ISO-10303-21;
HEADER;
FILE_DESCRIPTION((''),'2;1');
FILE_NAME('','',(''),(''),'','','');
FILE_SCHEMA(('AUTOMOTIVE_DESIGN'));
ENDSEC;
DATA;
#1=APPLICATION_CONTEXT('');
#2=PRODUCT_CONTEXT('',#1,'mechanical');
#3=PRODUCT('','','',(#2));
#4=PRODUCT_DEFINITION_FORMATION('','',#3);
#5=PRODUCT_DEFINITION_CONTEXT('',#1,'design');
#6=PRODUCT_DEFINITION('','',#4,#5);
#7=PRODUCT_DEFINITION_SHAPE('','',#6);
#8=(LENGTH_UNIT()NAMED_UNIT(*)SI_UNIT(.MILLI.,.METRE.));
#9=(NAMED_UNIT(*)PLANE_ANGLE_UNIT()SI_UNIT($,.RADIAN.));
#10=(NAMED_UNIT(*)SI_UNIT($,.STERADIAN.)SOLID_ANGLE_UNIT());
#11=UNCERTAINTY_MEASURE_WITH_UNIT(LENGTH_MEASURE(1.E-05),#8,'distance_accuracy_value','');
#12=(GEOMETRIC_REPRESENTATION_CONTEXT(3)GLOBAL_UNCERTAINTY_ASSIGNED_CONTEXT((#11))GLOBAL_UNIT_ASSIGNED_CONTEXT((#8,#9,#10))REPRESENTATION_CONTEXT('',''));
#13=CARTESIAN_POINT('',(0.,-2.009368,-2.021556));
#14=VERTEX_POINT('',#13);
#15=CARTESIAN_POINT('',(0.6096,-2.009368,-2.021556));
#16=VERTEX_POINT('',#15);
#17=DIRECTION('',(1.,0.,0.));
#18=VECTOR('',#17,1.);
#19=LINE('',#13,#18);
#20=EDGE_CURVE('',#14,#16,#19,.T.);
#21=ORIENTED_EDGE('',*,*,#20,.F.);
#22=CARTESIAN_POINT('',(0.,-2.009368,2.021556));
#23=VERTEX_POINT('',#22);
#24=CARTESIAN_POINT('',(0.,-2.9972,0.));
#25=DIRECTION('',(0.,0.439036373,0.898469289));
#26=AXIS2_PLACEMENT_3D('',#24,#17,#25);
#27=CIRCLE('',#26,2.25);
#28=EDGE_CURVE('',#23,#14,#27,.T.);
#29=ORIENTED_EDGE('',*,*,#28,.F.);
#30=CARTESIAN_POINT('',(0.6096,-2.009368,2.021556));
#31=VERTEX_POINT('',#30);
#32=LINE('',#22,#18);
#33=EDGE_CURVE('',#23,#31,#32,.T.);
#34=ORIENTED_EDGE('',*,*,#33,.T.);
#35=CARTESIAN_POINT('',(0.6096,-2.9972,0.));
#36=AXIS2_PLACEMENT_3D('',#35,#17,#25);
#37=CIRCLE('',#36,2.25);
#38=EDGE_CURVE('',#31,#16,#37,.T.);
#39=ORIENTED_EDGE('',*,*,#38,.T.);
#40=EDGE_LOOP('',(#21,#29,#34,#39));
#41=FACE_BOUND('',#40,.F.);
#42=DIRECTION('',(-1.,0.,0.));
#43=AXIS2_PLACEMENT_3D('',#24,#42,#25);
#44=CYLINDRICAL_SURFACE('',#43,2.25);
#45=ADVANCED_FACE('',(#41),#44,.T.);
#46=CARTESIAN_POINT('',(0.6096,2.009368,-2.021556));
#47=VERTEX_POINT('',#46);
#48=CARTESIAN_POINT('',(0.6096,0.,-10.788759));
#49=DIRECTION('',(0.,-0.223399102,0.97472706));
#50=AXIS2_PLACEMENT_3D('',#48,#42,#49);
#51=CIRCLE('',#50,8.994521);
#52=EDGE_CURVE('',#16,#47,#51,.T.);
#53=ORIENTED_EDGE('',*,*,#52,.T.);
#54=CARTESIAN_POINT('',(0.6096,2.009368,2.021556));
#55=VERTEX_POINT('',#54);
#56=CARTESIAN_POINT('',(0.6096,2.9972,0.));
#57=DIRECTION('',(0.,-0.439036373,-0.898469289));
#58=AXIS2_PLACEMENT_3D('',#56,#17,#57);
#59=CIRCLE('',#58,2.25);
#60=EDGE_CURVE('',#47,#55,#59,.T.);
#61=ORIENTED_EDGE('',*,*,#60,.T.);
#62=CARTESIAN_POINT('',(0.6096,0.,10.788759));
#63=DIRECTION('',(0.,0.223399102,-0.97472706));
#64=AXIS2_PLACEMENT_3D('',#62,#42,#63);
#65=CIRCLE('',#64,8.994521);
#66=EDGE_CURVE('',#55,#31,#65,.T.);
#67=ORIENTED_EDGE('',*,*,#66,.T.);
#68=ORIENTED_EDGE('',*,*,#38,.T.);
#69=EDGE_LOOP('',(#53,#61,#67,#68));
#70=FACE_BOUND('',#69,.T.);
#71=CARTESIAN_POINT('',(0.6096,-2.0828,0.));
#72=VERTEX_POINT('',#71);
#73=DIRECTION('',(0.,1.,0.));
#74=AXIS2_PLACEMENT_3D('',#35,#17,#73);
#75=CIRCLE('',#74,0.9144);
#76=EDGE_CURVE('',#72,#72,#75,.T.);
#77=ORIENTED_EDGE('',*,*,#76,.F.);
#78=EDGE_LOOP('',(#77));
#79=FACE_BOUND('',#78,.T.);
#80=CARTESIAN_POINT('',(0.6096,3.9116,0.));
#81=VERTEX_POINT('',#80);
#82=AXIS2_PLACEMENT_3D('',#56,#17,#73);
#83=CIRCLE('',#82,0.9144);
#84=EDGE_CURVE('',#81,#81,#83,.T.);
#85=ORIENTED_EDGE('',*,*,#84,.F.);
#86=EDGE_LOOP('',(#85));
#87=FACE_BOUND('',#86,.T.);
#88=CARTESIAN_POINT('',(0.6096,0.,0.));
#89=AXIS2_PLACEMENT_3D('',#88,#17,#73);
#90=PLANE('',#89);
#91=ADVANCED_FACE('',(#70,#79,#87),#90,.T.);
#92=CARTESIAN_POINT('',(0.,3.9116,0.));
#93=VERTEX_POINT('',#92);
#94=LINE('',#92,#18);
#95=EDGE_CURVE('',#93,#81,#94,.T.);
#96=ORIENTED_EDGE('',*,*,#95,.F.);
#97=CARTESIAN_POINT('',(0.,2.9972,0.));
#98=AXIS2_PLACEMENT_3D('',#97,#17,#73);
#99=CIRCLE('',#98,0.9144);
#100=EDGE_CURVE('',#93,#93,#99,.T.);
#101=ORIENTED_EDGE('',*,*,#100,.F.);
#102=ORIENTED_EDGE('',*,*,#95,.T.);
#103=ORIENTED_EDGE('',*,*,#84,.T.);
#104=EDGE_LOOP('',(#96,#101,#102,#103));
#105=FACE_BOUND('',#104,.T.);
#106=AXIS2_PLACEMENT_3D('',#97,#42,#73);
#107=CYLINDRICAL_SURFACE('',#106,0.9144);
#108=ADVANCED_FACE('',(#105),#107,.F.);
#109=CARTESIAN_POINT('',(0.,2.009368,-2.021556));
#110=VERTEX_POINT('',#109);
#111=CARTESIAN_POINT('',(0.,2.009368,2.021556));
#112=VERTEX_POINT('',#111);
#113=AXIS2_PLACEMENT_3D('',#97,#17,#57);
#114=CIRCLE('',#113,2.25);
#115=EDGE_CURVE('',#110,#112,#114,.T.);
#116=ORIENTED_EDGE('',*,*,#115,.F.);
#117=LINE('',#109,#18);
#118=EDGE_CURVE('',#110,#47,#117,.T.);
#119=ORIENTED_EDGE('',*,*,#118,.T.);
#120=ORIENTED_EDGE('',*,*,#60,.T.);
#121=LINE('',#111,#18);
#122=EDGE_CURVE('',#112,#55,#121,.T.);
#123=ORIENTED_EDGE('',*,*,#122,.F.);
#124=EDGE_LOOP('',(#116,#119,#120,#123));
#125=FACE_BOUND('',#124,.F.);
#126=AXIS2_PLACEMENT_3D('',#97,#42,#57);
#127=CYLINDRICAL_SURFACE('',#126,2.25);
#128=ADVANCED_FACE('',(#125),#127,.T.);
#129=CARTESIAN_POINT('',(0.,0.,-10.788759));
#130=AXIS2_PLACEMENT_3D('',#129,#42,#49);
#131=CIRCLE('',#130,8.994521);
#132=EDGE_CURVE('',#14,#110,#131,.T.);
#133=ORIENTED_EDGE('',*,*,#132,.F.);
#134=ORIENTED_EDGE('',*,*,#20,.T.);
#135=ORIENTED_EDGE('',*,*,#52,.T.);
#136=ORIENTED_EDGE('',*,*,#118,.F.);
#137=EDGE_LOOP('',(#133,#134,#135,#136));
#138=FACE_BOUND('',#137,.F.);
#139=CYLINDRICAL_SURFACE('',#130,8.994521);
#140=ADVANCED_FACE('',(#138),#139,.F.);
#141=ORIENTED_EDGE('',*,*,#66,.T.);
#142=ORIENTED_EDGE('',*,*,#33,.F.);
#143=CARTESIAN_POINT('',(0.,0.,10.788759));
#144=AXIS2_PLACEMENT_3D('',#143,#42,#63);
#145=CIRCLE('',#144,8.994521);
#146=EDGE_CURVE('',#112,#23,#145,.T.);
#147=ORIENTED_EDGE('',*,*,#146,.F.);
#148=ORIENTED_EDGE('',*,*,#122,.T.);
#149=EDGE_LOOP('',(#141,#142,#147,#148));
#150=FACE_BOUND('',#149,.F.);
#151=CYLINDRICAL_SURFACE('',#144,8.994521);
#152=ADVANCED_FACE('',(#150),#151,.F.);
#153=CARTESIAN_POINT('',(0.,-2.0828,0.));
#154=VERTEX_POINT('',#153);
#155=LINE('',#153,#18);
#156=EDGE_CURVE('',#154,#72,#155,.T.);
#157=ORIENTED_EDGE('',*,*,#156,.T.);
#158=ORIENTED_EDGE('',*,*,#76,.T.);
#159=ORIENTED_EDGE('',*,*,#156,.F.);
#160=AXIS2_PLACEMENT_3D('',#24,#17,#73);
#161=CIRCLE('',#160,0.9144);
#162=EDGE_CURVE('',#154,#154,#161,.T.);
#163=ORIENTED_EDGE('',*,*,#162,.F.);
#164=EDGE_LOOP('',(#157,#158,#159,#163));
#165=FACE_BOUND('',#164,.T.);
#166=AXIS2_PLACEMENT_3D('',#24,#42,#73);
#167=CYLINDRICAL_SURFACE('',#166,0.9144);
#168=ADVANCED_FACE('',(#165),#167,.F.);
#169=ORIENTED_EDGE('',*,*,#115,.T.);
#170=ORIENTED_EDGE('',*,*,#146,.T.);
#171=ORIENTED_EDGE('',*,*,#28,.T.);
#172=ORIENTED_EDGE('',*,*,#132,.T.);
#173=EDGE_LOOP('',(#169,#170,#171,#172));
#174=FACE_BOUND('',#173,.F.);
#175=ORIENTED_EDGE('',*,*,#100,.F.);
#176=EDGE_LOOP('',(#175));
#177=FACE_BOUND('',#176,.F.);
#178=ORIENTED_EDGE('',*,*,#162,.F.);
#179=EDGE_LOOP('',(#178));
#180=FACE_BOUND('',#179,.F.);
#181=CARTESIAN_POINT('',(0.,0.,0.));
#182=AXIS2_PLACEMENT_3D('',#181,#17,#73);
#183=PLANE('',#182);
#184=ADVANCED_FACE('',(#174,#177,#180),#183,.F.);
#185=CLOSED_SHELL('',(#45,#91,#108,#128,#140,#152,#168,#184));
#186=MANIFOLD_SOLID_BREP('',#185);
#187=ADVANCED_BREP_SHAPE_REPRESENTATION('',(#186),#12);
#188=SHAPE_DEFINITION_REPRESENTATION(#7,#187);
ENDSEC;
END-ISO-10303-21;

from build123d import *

# Parameters (mm, degrees)
F0_R     = 0.9144
F1_DEPTH = 0.6096


with BuildPart() as f1:
    # F0 (on Right) → F1 (new body)
    with BuildSketch(Plane.YZ):
        with BuildLine():
            ThreePointArc((2.009368, 2.021556), (0, 1.794238), (-2.009368, 2.021556))
            ThreePointArc((-2.009368, 2.021556), (-5.2472, 0), (-2.009368, -2.021556))
            ThreePointArc((-2.009368, -2.021556), (0, -1.794238), (2.009368, -2.021556))
            ThreePointArc((2.009368, -2.021556), (5.2472, 0), (2.009368, 2.021556))
        make_face()
        with Locations((-2.9972, 0)):
            Circle(F0_R, mode=Mode.SUBTRACT)
        with Locations((2.9972, 0)):
            Circle(F0_R, mode=Mode.SUBTRACT)
    extrude(amount=F1_DEPTH)


solid = f1.part
